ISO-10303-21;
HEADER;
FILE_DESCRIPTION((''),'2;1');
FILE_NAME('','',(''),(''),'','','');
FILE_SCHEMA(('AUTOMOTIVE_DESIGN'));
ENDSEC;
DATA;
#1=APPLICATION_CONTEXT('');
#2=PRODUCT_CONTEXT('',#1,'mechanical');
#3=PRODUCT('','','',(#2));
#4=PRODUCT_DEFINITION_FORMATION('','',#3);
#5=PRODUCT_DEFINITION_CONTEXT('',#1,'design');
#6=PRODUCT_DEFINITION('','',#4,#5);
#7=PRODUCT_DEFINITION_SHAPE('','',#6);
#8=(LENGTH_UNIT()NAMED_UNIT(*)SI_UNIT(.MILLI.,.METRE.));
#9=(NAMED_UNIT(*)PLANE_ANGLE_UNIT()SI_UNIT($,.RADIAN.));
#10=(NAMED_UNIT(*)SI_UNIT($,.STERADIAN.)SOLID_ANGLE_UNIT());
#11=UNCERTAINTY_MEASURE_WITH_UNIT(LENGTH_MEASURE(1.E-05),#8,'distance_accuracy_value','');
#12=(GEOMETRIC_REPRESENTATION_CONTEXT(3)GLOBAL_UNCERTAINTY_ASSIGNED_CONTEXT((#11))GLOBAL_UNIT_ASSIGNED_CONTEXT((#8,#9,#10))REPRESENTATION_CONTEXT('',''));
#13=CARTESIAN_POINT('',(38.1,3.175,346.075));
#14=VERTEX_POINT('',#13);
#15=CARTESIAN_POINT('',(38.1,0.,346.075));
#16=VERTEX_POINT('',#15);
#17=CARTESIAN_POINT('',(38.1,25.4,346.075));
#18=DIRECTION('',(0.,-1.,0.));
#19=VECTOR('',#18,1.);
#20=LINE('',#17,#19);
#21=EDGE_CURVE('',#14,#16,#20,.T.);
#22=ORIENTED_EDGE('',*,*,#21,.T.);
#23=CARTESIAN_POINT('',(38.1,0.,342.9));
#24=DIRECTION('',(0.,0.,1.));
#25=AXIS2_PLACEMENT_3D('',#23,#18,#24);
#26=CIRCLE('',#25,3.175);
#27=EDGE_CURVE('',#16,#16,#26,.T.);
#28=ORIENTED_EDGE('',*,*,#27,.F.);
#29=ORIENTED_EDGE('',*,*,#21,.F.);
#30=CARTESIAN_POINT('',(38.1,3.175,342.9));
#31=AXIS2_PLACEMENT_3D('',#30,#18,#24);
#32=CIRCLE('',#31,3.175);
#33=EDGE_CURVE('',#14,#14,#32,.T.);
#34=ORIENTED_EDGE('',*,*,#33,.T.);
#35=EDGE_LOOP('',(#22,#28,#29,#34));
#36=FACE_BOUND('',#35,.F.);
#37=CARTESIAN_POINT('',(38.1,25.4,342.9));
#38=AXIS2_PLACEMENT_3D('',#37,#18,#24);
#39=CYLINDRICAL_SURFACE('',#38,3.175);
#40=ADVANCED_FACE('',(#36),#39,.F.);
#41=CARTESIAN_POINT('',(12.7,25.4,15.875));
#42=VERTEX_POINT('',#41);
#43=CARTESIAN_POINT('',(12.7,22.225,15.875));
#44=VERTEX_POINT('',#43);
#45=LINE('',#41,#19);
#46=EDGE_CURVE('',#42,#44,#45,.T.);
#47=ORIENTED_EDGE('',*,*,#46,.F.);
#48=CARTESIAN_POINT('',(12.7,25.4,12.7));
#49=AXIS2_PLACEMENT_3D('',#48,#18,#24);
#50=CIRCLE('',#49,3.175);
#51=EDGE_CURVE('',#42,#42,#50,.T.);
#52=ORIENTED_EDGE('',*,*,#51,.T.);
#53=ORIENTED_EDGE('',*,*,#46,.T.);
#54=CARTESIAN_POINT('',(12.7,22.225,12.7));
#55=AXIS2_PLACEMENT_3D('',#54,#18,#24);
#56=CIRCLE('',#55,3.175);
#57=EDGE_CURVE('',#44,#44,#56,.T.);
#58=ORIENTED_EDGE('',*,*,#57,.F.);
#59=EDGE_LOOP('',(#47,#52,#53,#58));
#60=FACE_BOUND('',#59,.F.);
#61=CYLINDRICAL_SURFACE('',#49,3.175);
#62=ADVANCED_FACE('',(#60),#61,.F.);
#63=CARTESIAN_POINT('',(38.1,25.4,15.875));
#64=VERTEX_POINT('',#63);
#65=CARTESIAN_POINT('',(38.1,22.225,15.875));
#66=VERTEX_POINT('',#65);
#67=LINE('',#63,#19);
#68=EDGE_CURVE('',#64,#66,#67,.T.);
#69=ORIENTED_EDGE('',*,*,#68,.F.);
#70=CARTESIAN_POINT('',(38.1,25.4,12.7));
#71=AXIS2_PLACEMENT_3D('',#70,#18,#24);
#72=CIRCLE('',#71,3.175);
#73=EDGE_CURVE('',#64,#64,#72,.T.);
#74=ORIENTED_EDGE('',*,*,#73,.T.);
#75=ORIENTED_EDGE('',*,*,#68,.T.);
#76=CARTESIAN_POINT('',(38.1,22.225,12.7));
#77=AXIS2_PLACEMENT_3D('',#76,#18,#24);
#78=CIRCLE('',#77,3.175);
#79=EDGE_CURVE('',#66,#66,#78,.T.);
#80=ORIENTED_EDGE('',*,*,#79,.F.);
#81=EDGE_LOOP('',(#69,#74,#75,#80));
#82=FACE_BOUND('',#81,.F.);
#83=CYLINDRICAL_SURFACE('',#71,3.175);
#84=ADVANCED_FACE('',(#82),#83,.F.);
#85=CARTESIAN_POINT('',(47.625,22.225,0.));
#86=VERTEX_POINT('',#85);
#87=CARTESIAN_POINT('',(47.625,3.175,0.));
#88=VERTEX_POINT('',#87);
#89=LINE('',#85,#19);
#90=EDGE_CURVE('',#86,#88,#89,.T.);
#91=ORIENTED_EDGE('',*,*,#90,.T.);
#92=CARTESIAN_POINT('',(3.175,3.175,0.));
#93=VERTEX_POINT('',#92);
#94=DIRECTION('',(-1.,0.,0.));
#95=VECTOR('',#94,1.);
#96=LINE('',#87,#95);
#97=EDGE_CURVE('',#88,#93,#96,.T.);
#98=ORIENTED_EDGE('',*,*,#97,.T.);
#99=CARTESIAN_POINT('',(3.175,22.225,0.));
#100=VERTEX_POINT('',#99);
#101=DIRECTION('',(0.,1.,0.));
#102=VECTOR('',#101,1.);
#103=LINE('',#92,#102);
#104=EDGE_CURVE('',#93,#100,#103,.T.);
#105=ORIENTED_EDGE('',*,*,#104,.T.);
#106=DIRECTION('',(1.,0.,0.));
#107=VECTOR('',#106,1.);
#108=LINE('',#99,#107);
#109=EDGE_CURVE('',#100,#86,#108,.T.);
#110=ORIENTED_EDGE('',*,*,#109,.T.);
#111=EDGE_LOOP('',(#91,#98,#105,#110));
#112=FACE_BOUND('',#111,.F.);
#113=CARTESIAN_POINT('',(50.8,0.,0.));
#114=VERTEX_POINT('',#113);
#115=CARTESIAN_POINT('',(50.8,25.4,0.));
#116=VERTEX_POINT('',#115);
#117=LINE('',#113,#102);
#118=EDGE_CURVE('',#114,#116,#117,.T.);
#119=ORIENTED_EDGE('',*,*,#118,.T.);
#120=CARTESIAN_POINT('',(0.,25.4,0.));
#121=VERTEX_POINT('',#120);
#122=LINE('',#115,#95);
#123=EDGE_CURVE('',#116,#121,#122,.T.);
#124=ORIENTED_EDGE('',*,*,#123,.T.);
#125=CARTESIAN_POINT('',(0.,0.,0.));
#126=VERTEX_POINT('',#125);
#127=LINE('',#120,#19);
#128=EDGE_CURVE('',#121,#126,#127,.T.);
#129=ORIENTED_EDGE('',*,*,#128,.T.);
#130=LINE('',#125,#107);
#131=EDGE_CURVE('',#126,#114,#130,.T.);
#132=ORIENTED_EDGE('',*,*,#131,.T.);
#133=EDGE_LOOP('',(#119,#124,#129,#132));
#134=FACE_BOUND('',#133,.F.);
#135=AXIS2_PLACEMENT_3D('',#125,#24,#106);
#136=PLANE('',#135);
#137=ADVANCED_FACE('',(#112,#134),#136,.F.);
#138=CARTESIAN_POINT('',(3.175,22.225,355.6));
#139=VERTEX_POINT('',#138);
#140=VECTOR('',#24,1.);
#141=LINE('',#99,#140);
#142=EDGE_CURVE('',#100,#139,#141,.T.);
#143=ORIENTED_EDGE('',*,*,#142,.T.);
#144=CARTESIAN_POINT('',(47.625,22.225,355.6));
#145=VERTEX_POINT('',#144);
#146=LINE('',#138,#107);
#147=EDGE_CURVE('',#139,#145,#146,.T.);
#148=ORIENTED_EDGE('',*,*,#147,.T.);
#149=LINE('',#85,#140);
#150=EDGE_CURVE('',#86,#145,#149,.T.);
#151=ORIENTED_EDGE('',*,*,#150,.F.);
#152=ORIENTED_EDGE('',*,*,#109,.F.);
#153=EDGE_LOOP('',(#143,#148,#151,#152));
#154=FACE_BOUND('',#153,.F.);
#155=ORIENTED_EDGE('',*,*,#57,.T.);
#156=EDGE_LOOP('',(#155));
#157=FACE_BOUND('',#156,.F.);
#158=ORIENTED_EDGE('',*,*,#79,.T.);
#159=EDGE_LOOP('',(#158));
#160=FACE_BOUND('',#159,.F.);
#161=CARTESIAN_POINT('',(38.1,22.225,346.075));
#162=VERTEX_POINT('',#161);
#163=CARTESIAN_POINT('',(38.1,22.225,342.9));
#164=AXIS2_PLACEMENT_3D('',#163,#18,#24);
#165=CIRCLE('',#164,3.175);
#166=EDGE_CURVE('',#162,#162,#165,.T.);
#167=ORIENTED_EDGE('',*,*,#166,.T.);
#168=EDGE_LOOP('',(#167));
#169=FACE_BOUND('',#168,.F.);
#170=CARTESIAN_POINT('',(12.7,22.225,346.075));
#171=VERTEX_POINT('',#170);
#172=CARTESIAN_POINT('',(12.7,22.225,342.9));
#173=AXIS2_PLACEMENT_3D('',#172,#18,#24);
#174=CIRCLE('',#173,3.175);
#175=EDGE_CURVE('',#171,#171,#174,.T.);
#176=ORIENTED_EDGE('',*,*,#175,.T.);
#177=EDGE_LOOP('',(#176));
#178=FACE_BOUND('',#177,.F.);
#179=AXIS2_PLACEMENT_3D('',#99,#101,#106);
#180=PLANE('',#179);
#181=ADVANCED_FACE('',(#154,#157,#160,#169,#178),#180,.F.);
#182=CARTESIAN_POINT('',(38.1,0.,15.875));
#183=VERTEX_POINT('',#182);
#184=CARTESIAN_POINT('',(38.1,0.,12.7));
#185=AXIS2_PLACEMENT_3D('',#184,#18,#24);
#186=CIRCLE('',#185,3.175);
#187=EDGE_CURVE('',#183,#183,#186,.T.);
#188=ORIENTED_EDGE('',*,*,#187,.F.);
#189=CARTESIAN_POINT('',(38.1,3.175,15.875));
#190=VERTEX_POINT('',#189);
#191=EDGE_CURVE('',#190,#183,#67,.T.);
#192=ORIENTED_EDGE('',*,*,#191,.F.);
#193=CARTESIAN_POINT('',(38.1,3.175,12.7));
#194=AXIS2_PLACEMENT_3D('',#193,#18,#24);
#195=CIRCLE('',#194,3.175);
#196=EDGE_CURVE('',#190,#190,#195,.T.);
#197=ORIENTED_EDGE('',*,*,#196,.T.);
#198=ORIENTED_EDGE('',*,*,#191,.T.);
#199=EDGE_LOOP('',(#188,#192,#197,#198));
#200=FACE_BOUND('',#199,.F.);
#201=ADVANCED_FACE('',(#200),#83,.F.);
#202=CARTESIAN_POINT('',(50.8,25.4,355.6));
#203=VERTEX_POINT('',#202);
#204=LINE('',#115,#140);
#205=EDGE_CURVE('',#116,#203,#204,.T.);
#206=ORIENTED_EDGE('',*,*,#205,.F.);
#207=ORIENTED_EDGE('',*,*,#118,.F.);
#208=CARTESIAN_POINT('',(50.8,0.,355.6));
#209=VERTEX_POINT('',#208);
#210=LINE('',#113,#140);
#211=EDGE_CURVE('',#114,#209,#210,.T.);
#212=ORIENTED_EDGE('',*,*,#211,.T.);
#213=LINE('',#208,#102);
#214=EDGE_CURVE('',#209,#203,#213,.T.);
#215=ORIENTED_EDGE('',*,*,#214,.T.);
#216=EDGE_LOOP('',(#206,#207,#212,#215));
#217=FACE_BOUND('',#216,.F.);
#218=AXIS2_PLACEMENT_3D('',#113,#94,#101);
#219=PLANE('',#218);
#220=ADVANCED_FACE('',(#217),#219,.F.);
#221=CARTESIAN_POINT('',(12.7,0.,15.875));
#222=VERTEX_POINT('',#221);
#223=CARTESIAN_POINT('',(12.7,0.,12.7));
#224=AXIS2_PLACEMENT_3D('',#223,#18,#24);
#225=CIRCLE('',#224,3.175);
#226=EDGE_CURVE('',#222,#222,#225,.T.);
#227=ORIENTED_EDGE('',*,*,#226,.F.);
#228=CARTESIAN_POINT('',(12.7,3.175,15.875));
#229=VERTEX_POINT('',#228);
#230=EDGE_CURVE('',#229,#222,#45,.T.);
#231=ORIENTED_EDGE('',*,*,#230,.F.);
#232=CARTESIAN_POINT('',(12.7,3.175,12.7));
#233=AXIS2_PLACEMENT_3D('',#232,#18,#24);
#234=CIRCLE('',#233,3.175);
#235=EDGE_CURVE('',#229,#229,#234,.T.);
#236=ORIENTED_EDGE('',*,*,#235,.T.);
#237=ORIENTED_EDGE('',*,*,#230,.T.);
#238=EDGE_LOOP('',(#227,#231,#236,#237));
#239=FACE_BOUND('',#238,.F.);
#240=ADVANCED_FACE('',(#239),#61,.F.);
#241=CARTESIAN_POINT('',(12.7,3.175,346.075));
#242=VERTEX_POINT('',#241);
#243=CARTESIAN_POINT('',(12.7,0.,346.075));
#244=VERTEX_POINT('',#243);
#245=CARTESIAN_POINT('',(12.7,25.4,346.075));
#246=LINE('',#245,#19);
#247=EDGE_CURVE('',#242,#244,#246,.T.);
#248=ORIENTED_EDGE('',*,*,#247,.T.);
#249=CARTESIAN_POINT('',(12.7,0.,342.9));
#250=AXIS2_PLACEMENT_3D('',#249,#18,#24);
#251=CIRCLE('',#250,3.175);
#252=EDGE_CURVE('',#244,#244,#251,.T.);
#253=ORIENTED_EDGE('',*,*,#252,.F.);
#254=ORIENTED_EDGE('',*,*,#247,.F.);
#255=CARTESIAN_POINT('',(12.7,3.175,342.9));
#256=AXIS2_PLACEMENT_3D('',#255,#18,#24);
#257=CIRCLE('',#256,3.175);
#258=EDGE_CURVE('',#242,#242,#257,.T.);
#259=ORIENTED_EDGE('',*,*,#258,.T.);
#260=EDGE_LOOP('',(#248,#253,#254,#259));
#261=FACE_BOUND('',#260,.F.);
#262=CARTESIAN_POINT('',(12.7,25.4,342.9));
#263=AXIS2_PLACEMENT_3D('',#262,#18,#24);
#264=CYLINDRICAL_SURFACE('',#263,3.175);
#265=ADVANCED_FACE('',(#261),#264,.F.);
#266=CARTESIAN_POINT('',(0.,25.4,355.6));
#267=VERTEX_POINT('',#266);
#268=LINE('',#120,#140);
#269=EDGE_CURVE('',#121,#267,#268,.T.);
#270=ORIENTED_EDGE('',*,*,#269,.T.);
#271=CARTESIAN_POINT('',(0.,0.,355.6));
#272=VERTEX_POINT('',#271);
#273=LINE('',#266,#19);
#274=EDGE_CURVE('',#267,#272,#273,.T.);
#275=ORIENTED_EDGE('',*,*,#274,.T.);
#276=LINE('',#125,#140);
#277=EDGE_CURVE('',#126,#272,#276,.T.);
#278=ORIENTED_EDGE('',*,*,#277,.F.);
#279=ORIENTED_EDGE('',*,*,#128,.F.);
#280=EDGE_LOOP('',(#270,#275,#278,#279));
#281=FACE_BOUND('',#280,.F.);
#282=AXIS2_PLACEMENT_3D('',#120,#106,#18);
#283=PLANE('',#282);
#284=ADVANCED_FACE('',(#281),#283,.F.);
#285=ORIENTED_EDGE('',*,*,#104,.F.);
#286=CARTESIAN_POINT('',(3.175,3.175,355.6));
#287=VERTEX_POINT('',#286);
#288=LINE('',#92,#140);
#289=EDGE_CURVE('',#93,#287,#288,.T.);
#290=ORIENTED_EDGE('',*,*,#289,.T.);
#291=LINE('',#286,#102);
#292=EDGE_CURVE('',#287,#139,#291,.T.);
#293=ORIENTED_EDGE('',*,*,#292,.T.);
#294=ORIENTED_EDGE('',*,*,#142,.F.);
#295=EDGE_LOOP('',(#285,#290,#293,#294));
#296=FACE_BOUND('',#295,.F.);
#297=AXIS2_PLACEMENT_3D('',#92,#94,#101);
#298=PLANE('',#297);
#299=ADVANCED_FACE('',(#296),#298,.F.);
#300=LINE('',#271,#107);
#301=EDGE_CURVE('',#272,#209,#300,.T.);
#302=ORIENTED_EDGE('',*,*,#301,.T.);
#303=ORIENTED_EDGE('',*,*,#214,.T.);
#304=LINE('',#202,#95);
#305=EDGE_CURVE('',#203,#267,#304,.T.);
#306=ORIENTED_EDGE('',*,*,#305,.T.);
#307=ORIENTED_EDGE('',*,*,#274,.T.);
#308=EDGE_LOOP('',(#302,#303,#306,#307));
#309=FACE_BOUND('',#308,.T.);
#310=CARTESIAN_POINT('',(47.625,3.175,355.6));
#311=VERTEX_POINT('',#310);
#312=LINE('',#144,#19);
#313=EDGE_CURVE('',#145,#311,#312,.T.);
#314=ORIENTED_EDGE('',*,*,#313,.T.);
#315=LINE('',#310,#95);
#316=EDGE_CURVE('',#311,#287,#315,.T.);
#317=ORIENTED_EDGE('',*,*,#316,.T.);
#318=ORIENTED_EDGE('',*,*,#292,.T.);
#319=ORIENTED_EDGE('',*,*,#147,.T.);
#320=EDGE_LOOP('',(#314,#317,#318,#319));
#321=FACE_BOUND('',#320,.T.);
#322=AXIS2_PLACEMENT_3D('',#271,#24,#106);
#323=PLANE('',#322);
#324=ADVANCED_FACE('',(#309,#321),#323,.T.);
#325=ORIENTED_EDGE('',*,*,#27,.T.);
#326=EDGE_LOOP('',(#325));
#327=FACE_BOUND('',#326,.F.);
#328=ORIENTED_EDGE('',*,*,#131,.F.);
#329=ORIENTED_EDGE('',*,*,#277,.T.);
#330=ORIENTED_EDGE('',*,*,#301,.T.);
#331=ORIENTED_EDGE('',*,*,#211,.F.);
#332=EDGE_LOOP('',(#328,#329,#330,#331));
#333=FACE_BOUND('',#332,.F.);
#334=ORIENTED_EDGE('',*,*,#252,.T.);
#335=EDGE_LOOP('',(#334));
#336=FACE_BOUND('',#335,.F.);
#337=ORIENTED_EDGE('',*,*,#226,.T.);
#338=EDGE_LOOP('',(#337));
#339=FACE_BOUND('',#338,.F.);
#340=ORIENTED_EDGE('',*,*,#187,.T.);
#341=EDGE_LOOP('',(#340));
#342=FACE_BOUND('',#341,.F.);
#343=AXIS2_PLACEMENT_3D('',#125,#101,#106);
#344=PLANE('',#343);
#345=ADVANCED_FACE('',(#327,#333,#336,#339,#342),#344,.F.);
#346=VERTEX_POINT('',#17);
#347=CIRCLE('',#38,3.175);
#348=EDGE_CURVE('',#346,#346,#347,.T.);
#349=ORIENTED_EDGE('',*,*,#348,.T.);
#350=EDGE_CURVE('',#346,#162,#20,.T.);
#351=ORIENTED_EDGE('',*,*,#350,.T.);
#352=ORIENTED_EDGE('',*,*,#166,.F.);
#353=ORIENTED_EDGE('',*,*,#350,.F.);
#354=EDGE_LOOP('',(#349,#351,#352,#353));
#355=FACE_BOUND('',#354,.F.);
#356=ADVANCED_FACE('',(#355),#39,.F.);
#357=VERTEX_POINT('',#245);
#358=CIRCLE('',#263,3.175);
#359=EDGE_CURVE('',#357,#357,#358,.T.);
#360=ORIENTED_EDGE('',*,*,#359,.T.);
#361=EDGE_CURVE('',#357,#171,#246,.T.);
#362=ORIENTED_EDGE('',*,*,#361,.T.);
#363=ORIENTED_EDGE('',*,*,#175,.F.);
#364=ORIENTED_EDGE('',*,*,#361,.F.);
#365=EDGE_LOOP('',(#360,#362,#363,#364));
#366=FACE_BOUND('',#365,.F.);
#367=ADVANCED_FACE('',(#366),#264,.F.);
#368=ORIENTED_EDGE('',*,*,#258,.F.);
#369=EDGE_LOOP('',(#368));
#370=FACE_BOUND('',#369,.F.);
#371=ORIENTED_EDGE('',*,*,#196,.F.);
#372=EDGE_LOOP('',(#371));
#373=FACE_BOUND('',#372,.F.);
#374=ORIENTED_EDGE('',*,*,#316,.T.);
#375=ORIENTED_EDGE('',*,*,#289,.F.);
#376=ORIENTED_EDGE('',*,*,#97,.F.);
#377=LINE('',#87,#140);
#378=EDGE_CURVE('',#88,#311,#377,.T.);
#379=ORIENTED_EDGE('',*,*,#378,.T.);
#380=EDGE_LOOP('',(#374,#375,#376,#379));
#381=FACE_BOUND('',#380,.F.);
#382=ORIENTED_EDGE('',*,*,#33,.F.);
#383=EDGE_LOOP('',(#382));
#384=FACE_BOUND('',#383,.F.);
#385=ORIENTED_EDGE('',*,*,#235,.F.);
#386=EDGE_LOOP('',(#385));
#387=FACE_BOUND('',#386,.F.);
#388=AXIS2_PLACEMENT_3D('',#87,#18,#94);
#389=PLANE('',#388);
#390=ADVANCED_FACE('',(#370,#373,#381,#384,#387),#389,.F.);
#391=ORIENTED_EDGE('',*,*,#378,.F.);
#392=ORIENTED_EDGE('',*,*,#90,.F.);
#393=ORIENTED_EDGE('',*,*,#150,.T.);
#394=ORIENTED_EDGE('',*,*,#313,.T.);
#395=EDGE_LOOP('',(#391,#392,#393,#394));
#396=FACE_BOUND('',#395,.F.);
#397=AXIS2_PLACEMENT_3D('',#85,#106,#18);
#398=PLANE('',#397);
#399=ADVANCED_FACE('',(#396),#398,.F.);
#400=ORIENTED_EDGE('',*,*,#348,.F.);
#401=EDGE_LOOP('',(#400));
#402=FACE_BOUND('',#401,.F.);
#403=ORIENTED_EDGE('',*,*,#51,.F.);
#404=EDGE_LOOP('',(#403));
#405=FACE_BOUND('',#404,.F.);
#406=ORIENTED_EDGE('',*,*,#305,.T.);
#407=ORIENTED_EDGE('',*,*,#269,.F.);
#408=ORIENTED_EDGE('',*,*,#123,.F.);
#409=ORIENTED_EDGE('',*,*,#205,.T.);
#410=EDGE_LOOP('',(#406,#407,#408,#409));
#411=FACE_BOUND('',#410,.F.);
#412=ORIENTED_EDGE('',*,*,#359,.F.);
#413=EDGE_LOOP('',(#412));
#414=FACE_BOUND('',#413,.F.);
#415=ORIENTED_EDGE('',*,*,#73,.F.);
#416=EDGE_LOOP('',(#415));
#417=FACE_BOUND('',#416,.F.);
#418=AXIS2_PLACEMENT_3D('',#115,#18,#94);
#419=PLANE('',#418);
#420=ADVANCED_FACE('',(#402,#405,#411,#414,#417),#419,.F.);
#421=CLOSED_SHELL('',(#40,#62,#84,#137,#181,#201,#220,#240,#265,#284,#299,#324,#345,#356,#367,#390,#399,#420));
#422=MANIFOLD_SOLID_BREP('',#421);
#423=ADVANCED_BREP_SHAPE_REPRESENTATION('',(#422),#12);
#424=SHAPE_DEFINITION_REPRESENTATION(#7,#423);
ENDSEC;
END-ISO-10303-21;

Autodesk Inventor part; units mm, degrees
ref_plane "YZ Plane" through (0, 0, 0) normal (1, 0, 0) x (0, 1, 0)
ref_plane "XZ Plane" through (0, 0, 0) normal (0, 1, 0) x (-1, 0, 0)
ref_plane "XY Plane" through (0, 0, 0) normal (0, 0, 1) x (1, 0, 0)
sketch "Sketch1" plane through (0, 0, 0) normal (0, 0, 1) x (1, 0, 0)
  line L0 (0, 0) -> (50.8, 0)
  line L1 (50.8, 0) -> (50.8, 25.4)
  line L2 (50.8, 25.4) -> (0, 25.4)
  line L3 (0, 25.4) -> (0, 0)
  line L4 (3.175, 22.225) -> (47.625, 22.225)
  line L5 (47.625, 22.225) -> (47.625, 3.175)
  line L6 (47.625, 3.175) -> (3.175, 3.175)
  line L7 (3.175, 3.175) -> (3.175, 22.225)
  dimension "d0" = 50.8
  dimension "d1" = 25.4
  dimension "d2" = 44.45
  dimension "d3" = 19.05
  dimension "d4" = 3.175
  dimension "d5" = 3.175
extrude "Extrusion1" add sketch "Sketch1" along normal blind 355.6
sketch "Sketch2" plane through (0, 25.4, 0) normal (0, 1, 0) x (1, 0, 0)
  circle A0 centre (12.7, -342.9) radius 3.175
  line L0 (0, -355.6) -> (50.8, -355.6) projected
  line L1 (25.4, -355.6) -> (25.4, 0)
  line L2 (0, 0) -> (0, -355.6) projected
  circle A1 centre (38.1, -342.9) radius 3.175
  line L3 (0, -177.8) -> (50.8, -177.8)
  circle A2 centre (12.7, -12.7) radius 3.175
  circle A3 centre (38.1, -12.7) radius 3.175
  dimension "d8" = 6.35
  dimension "d9" = 12.7
  dimension "d10" = 12.7
hole "Hole1" at (12.7, 25.4, 342.9) at (38.1, 25.4, 342.9) at (12.7, 25.4, 12.7) at (38.1, 25.4, 12.7) direction (0, -1, 0) diameter 6.35 depth 25.4 tip angle 118
properties part number "support beam 1"
